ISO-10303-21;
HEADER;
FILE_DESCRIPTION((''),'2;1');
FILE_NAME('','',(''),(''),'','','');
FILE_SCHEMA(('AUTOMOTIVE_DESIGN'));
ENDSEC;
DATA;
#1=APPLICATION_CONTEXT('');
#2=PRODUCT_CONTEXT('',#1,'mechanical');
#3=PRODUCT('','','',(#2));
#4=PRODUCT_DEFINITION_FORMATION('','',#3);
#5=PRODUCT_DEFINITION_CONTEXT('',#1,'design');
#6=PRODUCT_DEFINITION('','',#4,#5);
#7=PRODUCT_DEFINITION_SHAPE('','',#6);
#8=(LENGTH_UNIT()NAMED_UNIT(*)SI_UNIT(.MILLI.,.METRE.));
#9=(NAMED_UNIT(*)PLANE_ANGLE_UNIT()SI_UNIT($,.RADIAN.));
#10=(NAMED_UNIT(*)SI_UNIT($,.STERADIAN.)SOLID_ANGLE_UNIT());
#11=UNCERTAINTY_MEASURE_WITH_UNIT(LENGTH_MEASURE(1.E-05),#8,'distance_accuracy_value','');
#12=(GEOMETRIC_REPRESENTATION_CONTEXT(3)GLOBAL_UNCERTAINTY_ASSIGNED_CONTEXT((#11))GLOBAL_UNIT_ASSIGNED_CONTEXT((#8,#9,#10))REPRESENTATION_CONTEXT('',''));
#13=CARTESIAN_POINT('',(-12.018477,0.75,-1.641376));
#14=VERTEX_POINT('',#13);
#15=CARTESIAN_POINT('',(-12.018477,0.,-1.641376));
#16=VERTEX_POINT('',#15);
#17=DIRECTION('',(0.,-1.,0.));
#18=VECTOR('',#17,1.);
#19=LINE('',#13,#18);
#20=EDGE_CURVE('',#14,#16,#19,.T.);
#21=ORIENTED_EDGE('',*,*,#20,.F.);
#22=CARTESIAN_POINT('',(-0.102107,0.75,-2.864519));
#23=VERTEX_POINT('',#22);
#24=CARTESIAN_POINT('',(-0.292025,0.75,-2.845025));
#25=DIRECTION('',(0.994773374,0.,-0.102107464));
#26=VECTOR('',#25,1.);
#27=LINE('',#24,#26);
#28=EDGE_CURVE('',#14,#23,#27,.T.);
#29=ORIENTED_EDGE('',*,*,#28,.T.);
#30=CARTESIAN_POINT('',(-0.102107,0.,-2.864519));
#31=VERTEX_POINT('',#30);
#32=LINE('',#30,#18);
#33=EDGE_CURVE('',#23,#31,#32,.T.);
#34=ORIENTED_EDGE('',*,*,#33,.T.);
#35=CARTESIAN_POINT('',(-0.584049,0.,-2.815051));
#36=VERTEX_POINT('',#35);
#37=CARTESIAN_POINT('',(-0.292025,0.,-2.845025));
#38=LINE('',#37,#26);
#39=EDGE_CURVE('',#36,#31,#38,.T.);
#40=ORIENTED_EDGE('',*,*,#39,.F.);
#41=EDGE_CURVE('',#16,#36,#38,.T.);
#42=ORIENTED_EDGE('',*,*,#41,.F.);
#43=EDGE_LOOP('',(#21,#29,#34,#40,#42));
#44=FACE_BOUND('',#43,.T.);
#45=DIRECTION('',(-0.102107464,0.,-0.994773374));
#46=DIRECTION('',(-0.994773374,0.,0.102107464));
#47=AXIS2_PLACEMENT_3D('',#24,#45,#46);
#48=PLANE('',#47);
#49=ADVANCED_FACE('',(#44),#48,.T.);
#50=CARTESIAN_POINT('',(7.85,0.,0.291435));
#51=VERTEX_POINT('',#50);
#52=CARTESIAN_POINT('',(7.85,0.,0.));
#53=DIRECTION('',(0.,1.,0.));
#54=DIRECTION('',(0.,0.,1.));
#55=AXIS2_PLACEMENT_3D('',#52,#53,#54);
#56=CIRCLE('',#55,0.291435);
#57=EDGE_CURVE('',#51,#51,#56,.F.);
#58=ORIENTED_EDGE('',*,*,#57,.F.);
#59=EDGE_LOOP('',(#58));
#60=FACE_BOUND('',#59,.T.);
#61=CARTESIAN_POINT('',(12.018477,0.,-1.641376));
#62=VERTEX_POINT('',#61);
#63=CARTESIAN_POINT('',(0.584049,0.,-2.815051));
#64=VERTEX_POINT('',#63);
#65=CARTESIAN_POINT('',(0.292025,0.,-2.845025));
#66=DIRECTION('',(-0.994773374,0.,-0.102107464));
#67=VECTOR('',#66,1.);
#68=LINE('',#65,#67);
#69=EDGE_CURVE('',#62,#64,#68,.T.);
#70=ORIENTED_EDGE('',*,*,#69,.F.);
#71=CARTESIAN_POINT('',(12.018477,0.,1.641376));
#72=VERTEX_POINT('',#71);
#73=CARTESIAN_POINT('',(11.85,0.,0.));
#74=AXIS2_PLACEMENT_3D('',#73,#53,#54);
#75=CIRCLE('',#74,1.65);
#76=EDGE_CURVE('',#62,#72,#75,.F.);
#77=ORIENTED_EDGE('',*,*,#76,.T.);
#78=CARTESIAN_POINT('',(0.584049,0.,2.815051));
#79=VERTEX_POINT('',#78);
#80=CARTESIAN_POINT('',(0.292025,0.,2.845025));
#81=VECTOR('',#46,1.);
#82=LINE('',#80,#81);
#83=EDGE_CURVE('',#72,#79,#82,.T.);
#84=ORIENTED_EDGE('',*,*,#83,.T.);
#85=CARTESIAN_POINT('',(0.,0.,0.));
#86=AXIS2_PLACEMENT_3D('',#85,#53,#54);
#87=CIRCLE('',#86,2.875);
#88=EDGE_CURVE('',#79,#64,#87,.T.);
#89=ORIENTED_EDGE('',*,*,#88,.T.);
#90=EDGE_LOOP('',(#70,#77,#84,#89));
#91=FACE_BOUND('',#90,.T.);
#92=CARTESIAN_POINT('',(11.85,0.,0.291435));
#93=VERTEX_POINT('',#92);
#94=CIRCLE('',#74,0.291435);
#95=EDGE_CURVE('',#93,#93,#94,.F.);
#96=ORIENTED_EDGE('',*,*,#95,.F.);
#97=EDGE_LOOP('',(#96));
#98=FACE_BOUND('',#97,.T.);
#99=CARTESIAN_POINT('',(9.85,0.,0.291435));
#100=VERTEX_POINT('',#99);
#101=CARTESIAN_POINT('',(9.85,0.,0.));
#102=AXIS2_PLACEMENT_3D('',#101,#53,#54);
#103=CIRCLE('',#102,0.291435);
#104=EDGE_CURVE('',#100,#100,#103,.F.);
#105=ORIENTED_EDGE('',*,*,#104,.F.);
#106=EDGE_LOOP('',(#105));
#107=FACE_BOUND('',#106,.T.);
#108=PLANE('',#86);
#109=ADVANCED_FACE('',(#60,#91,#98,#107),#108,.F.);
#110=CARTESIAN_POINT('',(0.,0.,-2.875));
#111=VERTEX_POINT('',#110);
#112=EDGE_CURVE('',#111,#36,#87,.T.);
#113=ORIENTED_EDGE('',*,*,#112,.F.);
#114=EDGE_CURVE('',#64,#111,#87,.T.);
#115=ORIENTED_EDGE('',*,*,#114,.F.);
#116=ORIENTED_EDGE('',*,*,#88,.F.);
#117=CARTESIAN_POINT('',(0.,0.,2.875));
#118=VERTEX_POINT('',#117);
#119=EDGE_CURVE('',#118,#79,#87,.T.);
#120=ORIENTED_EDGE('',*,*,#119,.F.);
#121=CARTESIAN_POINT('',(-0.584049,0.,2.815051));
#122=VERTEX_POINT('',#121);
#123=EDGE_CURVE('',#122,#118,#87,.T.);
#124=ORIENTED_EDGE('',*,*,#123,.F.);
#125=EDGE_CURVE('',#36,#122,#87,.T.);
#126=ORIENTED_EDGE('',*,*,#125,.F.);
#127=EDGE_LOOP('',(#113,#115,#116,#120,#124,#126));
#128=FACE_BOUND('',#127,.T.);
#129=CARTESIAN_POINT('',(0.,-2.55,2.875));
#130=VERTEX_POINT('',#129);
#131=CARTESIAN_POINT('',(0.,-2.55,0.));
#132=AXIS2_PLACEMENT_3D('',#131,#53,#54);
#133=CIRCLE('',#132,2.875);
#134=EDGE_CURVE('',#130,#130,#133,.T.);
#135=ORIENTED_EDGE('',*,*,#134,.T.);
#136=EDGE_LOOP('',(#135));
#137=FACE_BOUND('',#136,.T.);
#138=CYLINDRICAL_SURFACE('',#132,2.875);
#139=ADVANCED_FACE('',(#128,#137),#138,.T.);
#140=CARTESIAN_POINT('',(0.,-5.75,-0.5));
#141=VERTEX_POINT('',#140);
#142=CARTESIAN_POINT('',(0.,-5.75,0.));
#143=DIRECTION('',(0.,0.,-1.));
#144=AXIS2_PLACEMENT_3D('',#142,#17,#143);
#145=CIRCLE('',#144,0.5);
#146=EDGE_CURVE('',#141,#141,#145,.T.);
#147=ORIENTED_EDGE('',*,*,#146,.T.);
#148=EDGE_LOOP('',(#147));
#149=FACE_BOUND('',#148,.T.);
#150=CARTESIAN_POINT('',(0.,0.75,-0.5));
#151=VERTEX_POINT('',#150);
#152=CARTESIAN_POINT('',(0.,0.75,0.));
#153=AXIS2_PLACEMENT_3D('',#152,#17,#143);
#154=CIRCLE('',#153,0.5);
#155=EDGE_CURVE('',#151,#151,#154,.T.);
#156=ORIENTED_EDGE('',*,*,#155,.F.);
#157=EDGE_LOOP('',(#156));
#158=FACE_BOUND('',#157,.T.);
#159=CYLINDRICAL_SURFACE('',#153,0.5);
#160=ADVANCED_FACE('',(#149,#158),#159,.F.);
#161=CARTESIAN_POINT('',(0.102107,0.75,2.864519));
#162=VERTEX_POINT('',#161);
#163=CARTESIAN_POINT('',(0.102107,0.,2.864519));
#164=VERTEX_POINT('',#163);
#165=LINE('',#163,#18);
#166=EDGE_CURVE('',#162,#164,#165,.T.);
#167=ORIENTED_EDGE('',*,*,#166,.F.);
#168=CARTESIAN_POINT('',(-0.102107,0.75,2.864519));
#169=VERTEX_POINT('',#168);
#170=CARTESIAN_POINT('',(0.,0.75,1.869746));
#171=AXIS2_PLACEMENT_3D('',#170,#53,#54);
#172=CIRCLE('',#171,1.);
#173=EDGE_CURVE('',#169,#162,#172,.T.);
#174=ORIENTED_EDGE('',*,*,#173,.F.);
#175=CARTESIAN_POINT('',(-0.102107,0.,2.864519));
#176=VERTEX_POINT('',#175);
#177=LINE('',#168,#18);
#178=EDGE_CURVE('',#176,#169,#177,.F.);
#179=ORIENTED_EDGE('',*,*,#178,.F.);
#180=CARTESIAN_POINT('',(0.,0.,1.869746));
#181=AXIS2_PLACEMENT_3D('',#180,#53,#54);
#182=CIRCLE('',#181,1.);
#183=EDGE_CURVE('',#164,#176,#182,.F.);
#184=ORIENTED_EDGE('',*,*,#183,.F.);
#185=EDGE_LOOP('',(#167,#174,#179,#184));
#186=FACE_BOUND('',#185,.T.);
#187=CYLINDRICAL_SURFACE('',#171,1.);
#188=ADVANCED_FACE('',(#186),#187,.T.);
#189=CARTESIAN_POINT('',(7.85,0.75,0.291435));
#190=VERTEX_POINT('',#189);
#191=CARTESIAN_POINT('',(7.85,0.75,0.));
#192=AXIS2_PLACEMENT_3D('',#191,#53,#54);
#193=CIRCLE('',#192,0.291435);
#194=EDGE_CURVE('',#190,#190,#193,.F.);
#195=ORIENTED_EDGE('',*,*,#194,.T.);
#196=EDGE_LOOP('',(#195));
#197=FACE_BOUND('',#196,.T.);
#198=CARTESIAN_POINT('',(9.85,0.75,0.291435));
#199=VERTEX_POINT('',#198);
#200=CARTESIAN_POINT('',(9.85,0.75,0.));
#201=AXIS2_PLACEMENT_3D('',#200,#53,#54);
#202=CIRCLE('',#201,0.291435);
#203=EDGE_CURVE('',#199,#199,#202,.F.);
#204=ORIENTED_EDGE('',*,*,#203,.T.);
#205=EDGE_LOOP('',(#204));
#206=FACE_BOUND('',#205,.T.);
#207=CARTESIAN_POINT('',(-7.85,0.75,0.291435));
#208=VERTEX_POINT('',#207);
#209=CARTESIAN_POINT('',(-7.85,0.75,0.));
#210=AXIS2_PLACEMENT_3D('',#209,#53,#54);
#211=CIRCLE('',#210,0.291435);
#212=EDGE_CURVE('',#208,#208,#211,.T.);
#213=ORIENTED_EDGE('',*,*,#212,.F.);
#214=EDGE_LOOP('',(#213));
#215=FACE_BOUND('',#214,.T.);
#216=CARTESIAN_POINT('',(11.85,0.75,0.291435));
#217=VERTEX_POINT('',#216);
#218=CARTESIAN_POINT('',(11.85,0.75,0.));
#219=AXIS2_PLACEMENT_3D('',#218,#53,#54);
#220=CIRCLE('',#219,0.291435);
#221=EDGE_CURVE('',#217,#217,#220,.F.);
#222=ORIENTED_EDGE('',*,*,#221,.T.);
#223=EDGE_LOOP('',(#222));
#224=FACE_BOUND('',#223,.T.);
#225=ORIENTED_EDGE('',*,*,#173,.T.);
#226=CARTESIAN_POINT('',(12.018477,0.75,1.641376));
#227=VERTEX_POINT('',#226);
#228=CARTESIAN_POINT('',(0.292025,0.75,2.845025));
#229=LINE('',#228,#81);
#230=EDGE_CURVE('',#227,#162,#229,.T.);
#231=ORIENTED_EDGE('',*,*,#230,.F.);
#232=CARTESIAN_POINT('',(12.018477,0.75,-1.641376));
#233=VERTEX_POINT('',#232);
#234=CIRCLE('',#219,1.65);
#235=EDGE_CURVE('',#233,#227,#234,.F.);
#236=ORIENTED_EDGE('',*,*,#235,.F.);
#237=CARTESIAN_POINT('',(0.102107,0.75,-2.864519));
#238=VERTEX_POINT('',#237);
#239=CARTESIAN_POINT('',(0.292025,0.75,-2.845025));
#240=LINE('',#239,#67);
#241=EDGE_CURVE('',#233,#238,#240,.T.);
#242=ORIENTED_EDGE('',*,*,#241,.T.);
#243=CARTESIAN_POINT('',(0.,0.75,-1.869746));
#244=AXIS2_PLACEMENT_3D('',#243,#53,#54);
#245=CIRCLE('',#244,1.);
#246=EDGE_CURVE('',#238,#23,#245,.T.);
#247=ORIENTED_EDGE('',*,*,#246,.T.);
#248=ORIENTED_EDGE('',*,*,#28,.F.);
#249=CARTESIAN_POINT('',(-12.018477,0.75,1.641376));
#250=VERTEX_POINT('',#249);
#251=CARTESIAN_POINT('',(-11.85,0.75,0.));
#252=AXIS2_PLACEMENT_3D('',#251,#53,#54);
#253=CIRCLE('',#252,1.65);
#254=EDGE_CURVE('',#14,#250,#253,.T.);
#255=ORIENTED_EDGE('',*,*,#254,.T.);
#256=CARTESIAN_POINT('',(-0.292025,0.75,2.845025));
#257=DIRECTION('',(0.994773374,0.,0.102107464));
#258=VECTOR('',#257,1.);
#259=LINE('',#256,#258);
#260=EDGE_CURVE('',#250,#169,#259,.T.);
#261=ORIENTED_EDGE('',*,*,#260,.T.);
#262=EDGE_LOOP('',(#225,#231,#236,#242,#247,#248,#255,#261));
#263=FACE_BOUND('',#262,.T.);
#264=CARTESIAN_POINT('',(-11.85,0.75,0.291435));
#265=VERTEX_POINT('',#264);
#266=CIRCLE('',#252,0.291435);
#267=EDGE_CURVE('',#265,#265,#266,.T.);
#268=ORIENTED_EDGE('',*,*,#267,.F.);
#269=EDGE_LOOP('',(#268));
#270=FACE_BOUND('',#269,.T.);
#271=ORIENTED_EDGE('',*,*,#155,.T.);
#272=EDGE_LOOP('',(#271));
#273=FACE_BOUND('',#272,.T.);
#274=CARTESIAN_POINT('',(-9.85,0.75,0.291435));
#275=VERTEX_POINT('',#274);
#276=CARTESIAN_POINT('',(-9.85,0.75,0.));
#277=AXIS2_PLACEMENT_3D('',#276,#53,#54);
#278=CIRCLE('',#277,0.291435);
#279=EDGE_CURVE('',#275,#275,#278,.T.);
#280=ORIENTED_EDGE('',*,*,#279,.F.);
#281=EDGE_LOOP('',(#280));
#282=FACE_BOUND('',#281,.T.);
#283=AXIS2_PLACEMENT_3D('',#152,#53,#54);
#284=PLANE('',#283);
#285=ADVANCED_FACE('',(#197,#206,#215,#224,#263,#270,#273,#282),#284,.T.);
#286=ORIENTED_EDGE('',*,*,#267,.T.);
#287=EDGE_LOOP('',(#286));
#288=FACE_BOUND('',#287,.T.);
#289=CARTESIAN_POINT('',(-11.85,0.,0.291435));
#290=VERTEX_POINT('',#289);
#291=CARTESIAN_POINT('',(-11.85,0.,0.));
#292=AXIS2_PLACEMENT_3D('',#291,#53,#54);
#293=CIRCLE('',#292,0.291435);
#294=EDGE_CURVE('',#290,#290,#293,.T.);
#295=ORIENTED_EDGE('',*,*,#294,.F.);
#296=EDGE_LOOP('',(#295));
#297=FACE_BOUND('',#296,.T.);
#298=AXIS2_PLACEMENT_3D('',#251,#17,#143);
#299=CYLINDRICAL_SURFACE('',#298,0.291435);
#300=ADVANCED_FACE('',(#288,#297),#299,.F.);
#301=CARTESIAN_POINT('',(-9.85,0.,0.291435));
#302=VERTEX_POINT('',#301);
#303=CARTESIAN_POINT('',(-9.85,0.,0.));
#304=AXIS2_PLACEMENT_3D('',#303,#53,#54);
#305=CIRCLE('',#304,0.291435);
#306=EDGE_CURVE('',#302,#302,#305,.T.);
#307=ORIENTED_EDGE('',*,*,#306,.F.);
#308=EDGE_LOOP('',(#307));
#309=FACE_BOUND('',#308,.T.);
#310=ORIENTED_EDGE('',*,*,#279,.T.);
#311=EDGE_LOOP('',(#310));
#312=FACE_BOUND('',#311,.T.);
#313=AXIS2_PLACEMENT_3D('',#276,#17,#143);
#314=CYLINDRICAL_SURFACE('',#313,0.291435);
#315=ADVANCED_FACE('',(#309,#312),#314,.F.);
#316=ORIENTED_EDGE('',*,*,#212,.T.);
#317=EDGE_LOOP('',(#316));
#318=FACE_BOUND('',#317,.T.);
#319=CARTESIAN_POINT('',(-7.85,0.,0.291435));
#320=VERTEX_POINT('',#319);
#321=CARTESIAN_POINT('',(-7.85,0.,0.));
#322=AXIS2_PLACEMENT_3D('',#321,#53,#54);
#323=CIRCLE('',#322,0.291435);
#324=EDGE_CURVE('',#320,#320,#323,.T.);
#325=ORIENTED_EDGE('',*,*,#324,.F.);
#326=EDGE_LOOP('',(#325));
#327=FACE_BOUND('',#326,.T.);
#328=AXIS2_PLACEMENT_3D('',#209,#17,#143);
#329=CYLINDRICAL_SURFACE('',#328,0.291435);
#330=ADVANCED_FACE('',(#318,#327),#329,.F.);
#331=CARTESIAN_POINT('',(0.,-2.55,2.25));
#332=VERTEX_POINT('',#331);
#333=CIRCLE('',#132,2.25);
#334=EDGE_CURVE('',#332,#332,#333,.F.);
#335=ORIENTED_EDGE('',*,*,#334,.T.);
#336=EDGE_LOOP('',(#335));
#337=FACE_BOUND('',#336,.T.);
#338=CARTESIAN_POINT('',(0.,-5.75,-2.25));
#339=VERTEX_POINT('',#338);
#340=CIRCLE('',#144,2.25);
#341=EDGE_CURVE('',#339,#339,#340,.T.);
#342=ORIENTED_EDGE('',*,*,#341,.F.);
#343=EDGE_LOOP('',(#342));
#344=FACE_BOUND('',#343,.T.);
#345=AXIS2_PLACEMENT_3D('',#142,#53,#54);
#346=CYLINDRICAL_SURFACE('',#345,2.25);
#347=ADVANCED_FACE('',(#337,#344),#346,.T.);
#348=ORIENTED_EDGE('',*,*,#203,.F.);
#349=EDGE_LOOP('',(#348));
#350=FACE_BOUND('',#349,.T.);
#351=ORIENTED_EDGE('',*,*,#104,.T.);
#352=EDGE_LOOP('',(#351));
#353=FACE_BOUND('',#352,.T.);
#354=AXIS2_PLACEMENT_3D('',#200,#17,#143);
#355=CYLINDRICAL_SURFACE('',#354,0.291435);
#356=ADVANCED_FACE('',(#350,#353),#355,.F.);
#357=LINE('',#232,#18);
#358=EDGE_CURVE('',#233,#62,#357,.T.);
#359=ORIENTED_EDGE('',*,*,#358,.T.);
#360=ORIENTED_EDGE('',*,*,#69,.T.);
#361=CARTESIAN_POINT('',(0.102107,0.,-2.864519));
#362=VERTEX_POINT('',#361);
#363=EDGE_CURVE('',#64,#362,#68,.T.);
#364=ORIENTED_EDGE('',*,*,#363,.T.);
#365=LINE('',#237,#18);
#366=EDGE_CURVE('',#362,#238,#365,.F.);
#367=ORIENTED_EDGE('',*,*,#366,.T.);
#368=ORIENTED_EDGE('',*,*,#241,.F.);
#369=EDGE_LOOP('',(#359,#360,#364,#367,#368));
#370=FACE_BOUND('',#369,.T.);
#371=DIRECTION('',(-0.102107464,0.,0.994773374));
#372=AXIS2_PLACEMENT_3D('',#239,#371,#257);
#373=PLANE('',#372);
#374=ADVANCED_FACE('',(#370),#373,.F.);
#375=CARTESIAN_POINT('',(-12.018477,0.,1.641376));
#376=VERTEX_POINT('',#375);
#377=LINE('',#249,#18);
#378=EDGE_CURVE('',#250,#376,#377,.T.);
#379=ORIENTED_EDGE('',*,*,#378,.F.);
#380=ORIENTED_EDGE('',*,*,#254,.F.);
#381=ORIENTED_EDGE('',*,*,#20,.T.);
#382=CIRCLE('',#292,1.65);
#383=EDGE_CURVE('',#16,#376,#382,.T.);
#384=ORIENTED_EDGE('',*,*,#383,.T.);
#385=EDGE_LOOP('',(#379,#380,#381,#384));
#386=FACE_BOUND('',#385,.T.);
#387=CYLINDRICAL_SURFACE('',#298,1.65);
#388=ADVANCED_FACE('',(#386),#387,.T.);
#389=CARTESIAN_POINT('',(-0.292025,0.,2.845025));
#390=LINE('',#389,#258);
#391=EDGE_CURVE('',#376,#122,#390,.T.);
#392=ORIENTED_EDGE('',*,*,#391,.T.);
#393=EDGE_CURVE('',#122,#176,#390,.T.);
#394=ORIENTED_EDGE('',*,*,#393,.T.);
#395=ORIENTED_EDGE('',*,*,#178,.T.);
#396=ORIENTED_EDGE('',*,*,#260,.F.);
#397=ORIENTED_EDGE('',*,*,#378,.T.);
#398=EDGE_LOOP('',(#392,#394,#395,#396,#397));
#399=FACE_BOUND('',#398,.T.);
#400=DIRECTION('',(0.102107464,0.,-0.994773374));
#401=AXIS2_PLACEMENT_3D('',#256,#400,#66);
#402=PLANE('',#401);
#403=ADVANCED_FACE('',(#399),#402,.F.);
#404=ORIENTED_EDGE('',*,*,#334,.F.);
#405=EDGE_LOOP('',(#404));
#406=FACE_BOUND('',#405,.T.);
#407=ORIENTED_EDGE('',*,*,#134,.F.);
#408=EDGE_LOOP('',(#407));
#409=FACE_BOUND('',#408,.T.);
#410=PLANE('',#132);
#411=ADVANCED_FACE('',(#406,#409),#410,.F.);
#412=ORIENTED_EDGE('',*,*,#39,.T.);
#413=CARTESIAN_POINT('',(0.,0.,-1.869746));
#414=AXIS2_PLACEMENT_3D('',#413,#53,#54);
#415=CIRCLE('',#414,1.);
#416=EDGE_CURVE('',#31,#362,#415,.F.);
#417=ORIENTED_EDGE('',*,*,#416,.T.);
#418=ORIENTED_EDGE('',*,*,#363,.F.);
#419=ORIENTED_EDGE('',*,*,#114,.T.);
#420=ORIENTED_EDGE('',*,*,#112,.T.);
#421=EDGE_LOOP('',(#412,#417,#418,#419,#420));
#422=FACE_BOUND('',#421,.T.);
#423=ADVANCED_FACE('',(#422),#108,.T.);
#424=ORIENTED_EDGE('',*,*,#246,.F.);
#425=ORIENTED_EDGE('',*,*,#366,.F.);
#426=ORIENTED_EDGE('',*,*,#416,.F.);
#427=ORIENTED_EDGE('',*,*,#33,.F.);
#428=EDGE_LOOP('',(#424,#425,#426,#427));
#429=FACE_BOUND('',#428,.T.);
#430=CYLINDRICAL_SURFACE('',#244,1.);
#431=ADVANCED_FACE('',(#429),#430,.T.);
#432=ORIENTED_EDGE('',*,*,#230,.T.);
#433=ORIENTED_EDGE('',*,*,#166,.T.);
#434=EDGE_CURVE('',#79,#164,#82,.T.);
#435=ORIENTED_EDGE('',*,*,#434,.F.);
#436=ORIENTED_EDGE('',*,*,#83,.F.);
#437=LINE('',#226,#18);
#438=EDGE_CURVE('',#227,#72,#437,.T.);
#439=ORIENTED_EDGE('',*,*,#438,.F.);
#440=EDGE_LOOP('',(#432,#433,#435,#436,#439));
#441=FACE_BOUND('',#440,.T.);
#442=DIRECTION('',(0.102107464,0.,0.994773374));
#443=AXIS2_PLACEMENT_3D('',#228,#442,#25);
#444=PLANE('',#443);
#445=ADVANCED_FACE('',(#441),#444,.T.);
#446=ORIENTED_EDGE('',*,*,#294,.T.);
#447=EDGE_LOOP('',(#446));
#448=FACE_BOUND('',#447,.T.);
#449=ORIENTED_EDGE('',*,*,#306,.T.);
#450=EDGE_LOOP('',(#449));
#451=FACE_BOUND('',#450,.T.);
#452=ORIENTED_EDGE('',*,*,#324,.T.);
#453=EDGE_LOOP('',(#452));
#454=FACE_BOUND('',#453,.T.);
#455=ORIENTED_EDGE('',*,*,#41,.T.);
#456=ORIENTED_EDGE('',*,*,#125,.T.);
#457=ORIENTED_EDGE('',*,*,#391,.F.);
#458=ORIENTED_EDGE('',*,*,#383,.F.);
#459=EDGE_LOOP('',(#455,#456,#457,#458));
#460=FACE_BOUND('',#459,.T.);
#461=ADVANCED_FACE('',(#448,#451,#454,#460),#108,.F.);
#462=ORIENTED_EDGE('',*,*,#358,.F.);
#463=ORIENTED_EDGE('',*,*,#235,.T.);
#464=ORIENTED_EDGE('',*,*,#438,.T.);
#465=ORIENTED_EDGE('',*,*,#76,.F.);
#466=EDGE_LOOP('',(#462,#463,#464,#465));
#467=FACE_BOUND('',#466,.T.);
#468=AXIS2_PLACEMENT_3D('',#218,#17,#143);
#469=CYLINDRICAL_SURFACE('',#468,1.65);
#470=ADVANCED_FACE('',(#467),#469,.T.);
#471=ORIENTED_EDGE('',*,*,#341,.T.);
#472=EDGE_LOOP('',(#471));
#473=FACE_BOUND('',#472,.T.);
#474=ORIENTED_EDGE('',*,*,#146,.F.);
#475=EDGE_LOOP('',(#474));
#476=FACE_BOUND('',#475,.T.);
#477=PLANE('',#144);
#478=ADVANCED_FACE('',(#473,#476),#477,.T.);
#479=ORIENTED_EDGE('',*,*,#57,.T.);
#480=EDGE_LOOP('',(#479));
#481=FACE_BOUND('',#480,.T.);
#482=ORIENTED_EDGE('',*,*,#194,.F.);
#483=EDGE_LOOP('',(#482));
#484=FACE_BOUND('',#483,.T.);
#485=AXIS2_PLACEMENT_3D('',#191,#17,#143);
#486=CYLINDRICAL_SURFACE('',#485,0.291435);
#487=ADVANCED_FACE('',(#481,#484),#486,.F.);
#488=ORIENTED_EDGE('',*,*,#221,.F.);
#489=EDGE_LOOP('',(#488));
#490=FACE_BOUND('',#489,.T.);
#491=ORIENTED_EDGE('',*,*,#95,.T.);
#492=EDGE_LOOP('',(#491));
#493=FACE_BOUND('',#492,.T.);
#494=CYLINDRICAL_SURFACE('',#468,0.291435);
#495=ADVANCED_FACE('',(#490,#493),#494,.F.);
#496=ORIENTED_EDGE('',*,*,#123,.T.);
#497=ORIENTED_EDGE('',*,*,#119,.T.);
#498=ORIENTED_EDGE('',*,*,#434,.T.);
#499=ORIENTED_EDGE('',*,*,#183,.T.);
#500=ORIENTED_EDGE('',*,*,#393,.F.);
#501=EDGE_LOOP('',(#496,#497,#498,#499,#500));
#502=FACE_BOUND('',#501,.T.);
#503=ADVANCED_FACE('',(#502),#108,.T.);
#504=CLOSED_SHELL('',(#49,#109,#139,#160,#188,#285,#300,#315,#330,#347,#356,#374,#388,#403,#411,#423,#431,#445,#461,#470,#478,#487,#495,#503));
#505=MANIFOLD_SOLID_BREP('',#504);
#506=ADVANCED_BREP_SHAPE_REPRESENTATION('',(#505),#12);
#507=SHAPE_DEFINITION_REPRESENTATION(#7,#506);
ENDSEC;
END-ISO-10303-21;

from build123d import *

# Parameters (mm, degrees)
SKETCH1_R           = 2.875
BOSS_EXTRUDE1_DEPTH = 2.55
SKETCH1_4_R         = 0.291434634
BOSS_EXTRUDE2_DEPTH = 0.75
SKETCH2_R           = 2.25
BOSS_EXTRUDE3_DEPTH = 3.2
SKETCH3_R           = 0.5
CUT_EXTRUDE1_DEPTH  = 16.256658382
FILLET1_R           = 1


with BuildPart() as part:
    # Sketch1 → Boss-Extrude1 (new body)
    with BuildSketch(Plane(origin=(0, 0, 0), x_dir=(1, 0, 0), z_dir=(0, 1, 0))):
        Circle(SKETCH1_R)
    extrude(amount=-BOSS_EXTRUDE1_DEPTH)

    # Sketch1<4> → Boss-Extrude2 (add)
    with BuildSketch(Plane(origin=(0, 0, 0), x_dir=(1, 0, 0), z_dir=(0, 1, 0))):
        with BuildLine():
            ThreePointArc((-12.018477316, 1.641376067), (-13.5, 0), (-12.018477316, -1.641376067))
            Line((-12.018477316, -1.641376067), (0, -2.875))
            Line((0, -2.875), (12.018477316, -1.641376067))
            ThreePointArc((12.018477316, -1.641376067), (13.5, 0), (12.018477316, 1.641376067))
            Line((12.018477316, 1.641376067), (0, 2.875))
            Line((0, 2.875), (-12.018477316, 1.641376067))
        make_face()
        with Locations((-11.85, 0)):
            Circle(SKETCH1_4_R, mode=Mode.SUBTRACT)
        with Locations((-9.85, 0)):
            Circle(SKETCH1_4_R, mode=Mode.SUBTRACT)
        with Locations((-7.85, 0)):
            Circle(SKETCH1_4_R, mode=Mode.SUBTRACT)
        with Locations((9.85, 0)):
            Circle(SKETCH1_4_R, mode=Mode.SUBTRACT)
        with Locations((11.85, 0)):
            Circle(SKETCH1_4_R, mode=Mode.SUBTRACT)
        with Locations((7.85, 0)):
            Circle(SKETCH1_4_R, mode=Mode.SUBTRACT)
    extrude(amount=BOSS_EXTRUDE2_DEPTH)

    # Sketch2 → Boss-Extrude3 (add)
    with BuildSketch(Plane.XZ.offset(2.55)):
        Circle(SKETCH2_R)
    extrude(amount=BOSS_EXTRUDE3_DEPTH)

    # Sketch3 → Cut-Extrude1 (cut, through all)
    with BuildSketch(Plane.XZ.offset(5.75)):
        Circle(SKETCH3_R)
    extrude(amount=-CUT_EXTRUDE1_DEPTH, mode=Mode.SUBTRACT)

    # Fillet1
    fillet1_edges = [part.edges().sort_by_distance(p)[0] for p in [
        (0, 0.375, 2.875),
        (0, 0.375, -2.875),
    ]]
    fillet(fillet1_edges, radius=FILLET1_R)


solid = part.part
